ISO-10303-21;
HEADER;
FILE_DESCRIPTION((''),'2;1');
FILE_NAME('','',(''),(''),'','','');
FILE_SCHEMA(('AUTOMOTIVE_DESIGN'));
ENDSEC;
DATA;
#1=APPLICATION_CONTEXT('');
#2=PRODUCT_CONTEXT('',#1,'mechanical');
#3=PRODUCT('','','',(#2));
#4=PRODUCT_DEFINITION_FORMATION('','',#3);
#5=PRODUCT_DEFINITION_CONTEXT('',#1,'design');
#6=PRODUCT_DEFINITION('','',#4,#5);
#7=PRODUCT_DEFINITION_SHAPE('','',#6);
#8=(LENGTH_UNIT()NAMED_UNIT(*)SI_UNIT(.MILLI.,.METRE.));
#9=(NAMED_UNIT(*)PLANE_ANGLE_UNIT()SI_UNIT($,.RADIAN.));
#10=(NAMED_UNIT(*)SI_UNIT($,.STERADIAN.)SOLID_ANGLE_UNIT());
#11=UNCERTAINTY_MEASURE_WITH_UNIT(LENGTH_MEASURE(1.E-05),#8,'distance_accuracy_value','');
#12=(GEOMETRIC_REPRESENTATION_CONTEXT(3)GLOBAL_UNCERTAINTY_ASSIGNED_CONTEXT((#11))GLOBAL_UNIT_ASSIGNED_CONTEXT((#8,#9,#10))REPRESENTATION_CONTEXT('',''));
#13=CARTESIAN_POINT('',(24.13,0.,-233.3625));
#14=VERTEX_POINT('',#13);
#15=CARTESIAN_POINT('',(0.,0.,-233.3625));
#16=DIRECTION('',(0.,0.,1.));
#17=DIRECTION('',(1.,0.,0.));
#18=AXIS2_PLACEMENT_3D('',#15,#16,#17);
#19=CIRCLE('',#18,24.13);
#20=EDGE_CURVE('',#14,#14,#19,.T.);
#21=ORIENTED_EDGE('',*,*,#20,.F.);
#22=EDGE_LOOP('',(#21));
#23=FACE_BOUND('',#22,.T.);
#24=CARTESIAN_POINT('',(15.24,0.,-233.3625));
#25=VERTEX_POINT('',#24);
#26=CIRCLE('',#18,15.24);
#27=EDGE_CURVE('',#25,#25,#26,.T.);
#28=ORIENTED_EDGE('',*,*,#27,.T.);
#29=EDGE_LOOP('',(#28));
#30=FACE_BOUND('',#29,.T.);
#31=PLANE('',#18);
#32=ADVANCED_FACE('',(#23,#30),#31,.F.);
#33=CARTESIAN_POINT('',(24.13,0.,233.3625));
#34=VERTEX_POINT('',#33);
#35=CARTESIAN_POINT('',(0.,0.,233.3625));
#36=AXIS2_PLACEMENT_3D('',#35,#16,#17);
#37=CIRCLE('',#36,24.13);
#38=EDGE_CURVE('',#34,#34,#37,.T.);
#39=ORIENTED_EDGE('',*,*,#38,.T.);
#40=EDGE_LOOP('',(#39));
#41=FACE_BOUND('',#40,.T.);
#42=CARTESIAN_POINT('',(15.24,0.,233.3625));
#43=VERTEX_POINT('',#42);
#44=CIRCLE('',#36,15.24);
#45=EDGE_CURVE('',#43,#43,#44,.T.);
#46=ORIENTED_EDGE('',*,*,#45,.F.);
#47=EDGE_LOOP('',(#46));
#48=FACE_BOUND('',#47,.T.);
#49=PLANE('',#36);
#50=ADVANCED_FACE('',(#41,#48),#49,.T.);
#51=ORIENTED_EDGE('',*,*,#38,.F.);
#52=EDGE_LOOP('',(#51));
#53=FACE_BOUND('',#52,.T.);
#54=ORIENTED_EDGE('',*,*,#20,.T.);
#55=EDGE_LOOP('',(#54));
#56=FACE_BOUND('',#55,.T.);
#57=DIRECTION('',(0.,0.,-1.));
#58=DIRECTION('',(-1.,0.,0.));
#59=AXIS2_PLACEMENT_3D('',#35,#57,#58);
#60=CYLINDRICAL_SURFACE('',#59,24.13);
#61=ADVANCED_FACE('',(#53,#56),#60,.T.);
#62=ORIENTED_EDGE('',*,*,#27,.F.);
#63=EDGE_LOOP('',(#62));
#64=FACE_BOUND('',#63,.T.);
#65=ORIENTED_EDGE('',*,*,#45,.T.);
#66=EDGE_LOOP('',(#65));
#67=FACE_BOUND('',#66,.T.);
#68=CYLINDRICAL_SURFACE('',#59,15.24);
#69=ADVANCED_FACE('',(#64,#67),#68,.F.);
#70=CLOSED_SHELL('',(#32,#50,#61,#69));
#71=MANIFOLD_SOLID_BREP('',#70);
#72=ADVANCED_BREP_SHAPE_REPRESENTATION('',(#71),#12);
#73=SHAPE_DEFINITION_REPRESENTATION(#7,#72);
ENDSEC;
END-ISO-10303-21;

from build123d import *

# Parameters (mm, degrees)
SKETCH1_R           = 24.13
SKETCH1_R_2         = 15.24
BOSS_EXTRUDE1_DEPTH = 233.3625


with BuildPart() as part:
    # Sketch1 → Boss-Extrude1 (new body, symmetric)
    with BuildSketch(Plane.XY):
        Circle(SKETCH1_R)
        Circle(SKETCH1_R_2, mode=Mode.SUBTRACT)
    extrude(amount=BOSS_EXTRUDE1_DEPTH, both=True)


solid = part.part
